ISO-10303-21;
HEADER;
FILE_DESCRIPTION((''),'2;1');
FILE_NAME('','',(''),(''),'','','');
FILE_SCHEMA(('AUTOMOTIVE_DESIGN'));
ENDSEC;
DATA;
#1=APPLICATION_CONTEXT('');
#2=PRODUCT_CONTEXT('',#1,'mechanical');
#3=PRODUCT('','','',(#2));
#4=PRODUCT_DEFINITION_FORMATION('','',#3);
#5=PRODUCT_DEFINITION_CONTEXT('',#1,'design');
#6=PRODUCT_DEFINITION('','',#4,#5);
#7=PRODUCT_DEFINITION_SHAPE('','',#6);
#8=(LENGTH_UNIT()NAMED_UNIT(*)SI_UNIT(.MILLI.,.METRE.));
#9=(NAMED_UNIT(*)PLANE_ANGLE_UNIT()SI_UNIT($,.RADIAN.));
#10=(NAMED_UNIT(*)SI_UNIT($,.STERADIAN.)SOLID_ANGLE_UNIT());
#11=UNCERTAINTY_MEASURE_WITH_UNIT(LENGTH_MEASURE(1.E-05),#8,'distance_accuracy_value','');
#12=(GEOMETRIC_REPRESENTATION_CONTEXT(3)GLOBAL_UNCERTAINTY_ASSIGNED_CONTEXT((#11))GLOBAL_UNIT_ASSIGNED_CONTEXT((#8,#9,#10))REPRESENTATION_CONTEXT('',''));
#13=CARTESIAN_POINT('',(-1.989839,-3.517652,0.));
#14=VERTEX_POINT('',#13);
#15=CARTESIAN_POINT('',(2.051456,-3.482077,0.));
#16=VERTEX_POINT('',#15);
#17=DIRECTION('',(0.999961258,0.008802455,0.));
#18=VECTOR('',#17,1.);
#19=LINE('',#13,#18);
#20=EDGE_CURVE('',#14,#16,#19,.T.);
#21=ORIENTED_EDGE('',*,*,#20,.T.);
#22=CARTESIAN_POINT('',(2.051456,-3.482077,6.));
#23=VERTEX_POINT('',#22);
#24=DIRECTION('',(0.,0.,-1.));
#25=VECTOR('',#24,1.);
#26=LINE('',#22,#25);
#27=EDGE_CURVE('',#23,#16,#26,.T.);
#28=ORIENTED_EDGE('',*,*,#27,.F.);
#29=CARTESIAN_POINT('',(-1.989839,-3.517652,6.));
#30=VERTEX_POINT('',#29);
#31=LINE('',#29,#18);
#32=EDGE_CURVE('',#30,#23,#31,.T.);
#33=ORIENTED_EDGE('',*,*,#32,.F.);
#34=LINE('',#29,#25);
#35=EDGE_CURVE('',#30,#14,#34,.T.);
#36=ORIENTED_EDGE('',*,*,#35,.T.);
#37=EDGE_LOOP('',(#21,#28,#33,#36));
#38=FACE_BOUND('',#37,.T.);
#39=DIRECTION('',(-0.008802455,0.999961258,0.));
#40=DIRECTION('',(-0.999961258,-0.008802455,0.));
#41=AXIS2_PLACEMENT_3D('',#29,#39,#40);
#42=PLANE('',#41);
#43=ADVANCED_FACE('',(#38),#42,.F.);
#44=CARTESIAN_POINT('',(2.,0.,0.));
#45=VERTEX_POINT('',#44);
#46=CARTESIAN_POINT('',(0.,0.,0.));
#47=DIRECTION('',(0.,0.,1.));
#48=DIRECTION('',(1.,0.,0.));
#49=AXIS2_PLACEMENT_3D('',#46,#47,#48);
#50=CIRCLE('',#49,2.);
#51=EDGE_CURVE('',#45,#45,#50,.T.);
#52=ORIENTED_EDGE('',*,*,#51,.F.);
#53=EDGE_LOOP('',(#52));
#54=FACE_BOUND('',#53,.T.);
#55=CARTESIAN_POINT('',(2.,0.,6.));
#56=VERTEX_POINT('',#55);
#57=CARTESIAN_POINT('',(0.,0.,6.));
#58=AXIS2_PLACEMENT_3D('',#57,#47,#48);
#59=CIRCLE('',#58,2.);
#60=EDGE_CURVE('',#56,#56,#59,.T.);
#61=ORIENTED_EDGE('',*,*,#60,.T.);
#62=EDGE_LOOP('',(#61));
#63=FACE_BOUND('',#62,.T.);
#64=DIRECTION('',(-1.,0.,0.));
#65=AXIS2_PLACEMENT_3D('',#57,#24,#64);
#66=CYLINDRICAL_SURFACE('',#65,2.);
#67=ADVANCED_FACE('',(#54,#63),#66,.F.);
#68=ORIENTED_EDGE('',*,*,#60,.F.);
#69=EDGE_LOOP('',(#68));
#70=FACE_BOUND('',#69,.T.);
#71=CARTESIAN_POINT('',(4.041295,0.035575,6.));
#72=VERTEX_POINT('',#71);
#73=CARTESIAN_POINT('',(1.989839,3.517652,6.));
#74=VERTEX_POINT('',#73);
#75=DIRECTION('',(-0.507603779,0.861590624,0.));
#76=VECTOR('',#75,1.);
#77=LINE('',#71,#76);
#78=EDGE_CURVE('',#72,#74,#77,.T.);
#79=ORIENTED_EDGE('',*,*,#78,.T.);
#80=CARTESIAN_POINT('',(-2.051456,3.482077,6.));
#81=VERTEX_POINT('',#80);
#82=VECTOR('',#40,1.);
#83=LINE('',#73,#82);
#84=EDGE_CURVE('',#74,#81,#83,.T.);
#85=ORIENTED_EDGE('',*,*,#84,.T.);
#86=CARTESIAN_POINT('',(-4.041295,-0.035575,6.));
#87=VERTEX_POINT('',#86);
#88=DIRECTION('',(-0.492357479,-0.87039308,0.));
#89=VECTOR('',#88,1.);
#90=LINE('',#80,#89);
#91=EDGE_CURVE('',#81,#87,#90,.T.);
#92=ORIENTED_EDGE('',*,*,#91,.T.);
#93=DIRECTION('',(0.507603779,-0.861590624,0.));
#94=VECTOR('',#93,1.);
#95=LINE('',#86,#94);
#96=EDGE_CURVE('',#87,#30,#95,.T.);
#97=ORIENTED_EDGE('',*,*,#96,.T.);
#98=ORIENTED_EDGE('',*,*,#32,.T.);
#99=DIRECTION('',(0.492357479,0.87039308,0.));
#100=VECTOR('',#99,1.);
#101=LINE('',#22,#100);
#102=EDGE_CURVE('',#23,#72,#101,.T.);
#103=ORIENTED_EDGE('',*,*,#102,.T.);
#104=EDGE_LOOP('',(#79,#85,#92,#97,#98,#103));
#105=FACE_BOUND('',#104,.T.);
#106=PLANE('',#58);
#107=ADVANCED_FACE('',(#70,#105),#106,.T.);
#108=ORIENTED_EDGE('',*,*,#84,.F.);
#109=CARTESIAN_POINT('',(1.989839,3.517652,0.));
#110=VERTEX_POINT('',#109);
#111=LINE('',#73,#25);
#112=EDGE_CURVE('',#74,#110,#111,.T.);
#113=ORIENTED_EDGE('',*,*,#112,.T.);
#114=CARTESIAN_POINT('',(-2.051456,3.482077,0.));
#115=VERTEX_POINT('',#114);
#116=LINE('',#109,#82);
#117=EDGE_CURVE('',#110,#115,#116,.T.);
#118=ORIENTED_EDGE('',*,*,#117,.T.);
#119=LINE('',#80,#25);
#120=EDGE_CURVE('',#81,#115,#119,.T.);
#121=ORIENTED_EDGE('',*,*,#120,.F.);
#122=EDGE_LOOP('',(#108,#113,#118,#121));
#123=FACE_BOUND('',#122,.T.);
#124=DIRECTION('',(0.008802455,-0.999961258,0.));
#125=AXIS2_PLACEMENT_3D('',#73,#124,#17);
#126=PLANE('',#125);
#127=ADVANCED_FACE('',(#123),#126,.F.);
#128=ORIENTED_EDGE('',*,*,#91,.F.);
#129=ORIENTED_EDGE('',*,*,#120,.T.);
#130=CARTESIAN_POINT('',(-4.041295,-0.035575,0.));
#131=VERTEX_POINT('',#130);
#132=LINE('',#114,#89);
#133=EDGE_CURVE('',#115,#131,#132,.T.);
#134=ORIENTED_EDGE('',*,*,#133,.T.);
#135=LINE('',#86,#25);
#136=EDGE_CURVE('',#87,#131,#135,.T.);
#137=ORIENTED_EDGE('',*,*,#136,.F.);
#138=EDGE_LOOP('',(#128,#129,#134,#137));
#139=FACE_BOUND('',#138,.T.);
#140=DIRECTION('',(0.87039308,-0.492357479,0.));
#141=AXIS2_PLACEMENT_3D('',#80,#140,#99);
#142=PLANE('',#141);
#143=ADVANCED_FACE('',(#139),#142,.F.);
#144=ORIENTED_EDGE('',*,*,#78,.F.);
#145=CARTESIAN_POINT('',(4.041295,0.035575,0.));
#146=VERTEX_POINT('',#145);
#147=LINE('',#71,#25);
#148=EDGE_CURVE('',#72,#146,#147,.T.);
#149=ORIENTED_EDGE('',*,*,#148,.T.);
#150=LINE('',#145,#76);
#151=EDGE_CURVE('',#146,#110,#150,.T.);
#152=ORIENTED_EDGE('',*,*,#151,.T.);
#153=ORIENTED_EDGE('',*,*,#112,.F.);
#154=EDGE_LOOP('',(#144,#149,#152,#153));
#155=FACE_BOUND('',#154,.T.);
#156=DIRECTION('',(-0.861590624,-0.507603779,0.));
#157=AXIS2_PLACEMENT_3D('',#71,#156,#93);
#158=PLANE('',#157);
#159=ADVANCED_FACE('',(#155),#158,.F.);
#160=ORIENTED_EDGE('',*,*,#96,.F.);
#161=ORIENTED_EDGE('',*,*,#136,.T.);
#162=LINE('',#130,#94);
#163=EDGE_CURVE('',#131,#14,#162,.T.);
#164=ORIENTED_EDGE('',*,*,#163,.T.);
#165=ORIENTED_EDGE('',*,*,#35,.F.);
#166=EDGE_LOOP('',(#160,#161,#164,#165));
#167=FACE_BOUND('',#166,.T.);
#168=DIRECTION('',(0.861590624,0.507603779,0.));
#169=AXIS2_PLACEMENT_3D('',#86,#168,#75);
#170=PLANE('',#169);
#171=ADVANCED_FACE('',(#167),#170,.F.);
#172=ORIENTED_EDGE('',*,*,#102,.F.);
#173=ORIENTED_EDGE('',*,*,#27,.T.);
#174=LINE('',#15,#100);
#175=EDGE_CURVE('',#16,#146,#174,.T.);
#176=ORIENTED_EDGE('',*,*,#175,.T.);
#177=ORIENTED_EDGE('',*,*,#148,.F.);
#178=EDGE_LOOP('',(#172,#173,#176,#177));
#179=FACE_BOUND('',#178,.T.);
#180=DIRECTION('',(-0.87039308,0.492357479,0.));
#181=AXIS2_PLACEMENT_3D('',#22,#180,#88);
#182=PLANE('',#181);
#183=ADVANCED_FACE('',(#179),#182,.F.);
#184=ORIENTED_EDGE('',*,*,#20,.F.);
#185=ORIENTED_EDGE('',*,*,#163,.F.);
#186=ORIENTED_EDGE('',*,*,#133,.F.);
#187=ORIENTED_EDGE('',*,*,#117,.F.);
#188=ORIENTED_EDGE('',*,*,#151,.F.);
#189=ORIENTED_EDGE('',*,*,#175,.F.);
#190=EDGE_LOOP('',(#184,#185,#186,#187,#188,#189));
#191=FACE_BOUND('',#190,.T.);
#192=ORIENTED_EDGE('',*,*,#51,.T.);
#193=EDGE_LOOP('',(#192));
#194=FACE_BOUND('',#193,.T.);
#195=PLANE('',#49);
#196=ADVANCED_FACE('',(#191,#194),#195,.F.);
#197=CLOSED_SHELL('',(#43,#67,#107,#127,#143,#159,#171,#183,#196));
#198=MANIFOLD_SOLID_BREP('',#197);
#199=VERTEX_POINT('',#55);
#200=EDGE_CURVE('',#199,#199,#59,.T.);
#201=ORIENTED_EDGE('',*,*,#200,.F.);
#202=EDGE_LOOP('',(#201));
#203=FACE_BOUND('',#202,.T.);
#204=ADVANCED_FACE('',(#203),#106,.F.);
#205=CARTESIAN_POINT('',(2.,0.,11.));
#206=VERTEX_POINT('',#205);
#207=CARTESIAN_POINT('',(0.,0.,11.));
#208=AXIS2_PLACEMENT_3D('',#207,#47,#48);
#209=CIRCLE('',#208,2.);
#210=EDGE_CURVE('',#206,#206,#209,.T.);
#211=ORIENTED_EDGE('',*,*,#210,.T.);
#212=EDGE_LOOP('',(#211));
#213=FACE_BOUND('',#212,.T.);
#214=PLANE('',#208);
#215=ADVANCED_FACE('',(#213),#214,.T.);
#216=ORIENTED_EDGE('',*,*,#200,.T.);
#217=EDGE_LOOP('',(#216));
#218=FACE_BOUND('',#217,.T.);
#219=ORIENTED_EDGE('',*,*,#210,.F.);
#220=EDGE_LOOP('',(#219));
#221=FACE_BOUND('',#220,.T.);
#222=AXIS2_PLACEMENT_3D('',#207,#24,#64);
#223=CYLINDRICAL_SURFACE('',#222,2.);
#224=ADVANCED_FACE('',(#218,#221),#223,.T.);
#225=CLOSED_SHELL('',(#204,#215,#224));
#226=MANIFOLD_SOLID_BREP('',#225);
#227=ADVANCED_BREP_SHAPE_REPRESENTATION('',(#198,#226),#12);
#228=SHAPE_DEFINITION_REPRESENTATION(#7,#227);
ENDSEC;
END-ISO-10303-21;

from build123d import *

# Parameters (mm, degrees)
SKETCH_1_R      = 2
EXTRUDE_1_DEPTH = 6
SKETCH_3_R      = 2
EXTRUDE_2_DEPTH = 5


with BuildPart() as part:
    # 草图1 → 凸台-拉伸1 (new body)
    with BuildSketch(Plane.XY):
        Polygon((2.051456248, -3.482077052), (4.041295309, 0.035574699), (1.989839061, 3.517651751), (-2.051456248, 3.482077052), (-4.041295309, -0.035574699), (-1.989839061, -3.517651751), align=None)
        Circle(SKETCH_1_R, mode=Mode.SUBTRACT)
    extrude(amount=EXTRUDE_1_DEPTH)


with BuildPart() as body_2:
    # 草图3 → 凸台-拉伸2 (new body)
    with BuildSketch(Plane.XY.offset(6)):
        Circle(SKETCH_3_R)
    extrude(amount=EXTRUDE_2_DEPTH)


solid = Compound([part.part, body_2.part])
